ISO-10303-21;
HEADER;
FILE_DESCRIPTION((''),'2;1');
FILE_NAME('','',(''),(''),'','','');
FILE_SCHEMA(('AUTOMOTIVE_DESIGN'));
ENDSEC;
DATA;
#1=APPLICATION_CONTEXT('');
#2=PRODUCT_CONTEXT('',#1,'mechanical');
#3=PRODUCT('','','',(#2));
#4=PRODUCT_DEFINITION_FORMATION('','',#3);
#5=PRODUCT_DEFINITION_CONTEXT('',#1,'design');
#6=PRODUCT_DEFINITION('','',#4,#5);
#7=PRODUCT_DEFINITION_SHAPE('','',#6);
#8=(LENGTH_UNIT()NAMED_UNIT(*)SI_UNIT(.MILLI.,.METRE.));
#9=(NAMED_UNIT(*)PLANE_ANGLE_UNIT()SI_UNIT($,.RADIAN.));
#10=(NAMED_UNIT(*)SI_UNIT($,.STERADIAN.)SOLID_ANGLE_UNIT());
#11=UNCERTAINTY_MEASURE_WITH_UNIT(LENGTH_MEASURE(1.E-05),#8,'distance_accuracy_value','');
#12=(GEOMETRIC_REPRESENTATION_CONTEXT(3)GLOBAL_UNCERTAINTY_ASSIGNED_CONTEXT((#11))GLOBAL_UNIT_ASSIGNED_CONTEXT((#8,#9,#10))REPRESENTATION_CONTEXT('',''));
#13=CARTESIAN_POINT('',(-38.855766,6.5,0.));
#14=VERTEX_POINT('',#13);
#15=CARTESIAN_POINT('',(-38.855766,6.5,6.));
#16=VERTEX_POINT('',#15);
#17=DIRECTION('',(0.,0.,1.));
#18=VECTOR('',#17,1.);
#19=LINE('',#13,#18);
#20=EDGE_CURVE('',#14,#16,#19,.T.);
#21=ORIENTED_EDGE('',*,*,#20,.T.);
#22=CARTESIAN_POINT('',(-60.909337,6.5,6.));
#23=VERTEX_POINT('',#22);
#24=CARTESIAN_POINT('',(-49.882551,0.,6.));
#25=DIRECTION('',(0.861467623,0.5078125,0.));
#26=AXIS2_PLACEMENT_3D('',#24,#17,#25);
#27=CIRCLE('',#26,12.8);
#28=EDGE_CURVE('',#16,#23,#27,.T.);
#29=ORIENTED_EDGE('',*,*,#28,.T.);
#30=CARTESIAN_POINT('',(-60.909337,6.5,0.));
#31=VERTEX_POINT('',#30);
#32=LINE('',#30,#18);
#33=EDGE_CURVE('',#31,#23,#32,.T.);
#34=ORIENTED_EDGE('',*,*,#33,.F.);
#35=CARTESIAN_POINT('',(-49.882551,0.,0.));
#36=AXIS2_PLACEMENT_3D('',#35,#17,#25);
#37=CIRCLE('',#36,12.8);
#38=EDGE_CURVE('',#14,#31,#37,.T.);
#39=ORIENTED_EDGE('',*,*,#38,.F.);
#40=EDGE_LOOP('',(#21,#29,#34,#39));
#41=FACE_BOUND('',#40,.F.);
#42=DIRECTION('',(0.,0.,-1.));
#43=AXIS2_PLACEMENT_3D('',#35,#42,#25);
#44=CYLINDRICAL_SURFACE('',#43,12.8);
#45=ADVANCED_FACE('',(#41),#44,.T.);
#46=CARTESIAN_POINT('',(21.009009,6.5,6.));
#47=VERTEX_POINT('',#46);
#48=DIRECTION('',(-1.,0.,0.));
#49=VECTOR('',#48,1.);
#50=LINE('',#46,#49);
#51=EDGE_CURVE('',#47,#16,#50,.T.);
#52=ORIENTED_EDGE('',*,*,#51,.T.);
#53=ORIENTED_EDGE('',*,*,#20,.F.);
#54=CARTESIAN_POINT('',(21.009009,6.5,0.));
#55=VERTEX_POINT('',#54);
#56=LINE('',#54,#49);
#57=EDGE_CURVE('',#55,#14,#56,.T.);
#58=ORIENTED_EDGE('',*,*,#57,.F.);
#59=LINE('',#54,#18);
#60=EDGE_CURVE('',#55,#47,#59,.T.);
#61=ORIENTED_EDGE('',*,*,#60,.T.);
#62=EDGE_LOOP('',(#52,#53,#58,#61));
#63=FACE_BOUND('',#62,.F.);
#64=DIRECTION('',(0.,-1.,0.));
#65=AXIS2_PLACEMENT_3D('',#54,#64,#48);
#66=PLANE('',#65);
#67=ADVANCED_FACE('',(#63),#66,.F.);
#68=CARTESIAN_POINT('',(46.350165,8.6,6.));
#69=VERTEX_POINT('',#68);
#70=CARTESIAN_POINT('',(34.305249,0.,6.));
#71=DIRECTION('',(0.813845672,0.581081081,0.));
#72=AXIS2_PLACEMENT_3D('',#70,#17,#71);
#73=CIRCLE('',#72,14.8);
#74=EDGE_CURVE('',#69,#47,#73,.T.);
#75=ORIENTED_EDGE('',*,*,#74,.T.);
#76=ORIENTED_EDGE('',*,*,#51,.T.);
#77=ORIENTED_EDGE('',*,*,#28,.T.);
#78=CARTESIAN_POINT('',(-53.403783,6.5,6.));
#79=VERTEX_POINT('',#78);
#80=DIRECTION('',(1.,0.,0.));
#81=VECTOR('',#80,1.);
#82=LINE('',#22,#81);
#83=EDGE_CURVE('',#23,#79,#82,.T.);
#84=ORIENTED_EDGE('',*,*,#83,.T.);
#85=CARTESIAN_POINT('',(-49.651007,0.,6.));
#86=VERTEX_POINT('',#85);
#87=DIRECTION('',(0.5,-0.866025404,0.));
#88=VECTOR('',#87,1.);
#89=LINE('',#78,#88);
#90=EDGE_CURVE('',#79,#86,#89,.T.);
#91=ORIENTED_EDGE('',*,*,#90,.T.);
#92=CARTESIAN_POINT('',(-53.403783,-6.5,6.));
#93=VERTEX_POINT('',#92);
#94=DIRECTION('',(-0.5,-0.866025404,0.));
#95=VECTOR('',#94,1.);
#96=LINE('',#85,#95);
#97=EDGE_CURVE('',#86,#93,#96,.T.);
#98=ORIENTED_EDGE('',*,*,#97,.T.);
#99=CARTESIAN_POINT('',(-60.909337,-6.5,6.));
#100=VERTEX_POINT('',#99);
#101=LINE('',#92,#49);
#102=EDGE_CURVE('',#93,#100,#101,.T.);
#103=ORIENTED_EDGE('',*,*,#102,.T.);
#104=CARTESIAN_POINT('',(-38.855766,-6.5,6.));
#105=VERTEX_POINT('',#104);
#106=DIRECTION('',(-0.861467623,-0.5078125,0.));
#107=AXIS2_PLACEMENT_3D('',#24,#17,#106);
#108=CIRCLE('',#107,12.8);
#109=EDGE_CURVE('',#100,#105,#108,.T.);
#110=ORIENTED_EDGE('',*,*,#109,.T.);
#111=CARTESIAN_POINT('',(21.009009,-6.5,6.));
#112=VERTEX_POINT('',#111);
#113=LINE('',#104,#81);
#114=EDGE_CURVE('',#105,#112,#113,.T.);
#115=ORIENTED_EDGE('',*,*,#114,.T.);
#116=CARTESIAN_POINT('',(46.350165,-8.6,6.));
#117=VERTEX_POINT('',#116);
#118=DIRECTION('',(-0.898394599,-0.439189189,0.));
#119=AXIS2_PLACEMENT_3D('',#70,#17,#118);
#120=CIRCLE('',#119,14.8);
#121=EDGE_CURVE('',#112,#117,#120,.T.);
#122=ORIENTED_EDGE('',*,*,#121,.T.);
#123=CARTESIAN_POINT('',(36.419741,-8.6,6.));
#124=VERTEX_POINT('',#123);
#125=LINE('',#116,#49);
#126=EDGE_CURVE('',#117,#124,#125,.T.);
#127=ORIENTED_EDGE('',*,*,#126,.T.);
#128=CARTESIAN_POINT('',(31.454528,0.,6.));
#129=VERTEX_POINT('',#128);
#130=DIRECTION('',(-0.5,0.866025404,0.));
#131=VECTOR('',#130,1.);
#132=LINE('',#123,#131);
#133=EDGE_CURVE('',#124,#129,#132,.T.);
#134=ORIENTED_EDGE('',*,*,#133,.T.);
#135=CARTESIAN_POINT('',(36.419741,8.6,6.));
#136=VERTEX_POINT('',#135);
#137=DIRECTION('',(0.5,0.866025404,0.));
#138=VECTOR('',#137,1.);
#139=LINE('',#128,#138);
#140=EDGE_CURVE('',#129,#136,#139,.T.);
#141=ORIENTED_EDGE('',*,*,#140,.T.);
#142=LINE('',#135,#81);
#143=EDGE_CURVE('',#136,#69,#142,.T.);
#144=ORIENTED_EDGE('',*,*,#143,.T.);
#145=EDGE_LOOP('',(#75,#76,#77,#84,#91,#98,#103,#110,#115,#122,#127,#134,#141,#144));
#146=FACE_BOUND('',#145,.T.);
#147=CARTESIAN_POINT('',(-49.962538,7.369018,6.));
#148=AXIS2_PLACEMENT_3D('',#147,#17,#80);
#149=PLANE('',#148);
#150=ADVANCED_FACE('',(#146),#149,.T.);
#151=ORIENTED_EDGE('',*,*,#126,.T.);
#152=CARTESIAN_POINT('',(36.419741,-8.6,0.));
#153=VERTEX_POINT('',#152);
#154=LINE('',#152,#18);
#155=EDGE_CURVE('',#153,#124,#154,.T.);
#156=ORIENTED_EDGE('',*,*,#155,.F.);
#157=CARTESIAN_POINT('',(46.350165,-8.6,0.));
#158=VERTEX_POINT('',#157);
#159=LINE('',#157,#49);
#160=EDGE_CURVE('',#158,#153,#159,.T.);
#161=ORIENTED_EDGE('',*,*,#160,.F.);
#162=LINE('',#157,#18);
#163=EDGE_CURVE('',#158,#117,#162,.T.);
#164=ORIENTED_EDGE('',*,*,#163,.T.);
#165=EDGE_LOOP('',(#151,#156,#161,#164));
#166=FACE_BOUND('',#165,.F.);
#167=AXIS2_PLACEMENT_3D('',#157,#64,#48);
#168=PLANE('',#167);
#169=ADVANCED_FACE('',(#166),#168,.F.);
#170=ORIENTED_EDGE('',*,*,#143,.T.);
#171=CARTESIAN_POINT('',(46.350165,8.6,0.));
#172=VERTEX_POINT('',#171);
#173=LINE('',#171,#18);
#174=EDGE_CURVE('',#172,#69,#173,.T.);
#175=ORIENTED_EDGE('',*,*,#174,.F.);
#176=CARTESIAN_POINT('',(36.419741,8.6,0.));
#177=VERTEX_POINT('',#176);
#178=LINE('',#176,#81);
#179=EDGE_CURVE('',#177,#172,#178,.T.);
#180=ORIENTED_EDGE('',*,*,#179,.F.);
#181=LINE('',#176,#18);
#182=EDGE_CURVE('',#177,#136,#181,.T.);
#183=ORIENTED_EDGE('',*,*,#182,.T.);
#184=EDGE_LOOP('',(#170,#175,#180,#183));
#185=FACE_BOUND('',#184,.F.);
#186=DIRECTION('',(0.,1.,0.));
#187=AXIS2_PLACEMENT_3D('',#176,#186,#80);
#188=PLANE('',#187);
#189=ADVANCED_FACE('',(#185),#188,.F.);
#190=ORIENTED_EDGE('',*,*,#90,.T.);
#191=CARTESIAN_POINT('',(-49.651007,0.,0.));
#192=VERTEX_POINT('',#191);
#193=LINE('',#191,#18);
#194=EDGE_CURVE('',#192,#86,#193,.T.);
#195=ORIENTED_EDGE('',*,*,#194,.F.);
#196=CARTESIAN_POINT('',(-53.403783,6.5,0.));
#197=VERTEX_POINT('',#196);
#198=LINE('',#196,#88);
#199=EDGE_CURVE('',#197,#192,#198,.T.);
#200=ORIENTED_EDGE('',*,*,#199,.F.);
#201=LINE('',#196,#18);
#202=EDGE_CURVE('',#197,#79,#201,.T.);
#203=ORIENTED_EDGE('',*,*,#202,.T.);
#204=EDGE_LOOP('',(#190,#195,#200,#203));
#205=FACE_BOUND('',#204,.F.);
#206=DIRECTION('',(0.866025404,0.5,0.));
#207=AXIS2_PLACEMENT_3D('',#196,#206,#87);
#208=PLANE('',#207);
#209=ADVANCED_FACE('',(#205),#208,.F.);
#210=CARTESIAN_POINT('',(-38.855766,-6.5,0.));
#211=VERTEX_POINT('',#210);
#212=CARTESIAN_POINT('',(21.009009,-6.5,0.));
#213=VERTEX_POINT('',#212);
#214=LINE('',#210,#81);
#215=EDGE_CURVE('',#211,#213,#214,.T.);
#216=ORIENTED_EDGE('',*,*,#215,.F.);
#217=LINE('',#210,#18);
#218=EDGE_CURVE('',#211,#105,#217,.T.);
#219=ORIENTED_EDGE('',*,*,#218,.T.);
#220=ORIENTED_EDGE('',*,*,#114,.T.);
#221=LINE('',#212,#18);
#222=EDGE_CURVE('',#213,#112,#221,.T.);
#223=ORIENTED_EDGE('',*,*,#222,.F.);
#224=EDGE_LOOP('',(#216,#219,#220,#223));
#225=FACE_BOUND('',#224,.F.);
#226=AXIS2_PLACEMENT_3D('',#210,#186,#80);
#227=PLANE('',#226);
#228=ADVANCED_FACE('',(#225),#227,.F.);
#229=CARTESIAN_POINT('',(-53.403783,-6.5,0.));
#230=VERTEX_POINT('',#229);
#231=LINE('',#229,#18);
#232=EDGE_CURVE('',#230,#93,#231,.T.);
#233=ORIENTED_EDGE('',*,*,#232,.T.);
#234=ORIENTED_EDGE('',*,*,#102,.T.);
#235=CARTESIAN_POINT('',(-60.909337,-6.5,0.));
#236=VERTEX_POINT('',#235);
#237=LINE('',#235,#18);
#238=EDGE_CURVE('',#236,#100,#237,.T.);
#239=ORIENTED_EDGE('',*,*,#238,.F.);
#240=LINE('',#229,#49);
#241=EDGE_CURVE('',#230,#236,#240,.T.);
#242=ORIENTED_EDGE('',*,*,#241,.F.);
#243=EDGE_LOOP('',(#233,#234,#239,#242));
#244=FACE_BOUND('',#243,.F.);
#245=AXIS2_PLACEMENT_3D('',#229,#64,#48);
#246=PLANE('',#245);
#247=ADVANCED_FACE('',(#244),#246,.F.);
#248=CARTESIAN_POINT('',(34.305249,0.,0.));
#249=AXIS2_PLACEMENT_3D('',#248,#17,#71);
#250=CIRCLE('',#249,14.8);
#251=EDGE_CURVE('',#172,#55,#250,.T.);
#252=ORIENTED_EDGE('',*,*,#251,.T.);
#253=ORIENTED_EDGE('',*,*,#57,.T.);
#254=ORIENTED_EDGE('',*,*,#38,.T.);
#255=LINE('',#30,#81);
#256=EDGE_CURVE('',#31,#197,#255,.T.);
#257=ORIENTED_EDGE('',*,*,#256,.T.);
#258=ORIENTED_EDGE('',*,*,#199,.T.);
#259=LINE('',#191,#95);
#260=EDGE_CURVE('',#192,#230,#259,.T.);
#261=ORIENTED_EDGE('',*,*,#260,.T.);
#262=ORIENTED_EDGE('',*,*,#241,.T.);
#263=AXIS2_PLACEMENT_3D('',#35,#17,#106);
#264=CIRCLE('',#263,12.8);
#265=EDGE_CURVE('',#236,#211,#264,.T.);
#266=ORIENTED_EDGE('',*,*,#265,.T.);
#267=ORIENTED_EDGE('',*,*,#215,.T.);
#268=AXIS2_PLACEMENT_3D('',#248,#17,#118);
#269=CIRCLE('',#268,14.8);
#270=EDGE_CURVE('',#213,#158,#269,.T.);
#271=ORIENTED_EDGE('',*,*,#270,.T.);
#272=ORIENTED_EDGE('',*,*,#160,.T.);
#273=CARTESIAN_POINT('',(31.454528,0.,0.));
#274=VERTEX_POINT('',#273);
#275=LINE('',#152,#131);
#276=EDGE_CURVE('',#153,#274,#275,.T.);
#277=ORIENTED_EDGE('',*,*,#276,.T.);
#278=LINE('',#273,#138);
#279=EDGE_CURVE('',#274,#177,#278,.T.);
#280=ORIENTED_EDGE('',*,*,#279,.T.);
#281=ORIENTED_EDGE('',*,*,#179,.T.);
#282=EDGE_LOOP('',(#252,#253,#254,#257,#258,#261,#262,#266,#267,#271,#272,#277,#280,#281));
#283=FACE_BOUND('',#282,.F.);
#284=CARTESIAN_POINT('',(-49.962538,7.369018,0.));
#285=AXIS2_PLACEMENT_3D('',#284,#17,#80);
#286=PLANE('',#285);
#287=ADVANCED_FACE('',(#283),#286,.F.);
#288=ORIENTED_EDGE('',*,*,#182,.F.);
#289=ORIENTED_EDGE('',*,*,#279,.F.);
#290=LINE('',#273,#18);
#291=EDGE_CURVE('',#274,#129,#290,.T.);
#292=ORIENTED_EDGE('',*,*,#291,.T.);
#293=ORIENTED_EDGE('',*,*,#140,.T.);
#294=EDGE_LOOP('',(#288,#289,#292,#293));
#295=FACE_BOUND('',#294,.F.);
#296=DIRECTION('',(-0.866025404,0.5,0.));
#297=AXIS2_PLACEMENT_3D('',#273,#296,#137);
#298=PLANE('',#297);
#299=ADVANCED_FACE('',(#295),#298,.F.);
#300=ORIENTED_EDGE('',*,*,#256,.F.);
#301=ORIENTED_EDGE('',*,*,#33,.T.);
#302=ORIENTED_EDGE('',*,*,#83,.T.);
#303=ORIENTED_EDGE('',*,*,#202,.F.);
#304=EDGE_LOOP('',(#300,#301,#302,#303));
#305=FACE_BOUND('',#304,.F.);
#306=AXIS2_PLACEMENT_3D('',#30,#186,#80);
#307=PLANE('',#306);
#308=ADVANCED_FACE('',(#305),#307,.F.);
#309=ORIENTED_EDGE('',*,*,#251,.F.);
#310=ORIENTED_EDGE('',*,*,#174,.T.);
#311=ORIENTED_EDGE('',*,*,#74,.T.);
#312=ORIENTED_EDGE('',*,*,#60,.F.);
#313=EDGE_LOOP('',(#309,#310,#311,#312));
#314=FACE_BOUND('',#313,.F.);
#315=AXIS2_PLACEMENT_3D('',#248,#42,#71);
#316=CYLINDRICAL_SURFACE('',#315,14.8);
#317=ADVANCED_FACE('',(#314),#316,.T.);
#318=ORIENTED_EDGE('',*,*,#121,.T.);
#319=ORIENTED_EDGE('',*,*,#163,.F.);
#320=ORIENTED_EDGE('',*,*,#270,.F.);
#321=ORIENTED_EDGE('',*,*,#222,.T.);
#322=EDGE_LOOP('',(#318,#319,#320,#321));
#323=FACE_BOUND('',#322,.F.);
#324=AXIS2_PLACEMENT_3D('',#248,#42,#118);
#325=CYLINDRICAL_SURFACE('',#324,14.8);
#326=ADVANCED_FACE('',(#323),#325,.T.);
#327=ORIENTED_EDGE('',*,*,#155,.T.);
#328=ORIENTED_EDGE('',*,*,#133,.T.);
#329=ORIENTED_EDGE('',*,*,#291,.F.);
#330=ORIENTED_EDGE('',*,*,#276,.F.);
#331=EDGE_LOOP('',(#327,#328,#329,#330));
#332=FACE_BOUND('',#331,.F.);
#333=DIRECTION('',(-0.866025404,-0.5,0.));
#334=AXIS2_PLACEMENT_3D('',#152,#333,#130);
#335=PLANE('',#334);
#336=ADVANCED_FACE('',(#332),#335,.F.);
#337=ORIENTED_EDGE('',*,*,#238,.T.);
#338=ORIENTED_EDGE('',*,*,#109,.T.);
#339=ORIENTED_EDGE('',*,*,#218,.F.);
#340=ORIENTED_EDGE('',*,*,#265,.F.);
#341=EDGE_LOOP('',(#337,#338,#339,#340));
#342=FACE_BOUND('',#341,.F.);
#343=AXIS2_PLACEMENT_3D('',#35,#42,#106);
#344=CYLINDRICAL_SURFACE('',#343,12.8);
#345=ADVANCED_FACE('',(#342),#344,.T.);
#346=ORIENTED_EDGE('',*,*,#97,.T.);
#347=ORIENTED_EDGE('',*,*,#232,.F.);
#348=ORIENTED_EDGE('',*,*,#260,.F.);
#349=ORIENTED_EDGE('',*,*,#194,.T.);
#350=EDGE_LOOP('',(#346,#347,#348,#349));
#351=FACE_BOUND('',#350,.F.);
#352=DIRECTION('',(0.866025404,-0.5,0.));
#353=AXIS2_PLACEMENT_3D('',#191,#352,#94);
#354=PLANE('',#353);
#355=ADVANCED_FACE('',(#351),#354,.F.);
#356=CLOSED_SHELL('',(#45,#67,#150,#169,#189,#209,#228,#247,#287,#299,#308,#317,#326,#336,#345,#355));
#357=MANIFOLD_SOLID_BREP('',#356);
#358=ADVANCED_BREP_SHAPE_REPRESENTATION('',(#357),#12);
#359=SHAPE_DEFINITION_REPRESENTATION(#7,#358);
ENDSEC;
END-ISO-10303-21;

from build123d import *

# Parameters (mm, degrees)
F1_DEPTH = 6


with BuildPart() as f1:
    # F0 (on Top) → F1 (new body)
    with BuildSketch(Plane.XY):
        with BuildLine():
            Line((-49.6510066098, 0), (-49.6510066098, 6.5))
            Line((-49.6510066098, 6.5), (-38.8557657197, 6.5))
            ThreePointArc((-38.8557657197, 6.5), (-49.8825512893, 12.8), (-60.909336859, 6.5))
            Line((-60.909336859, 6.5), (-53.4037833596, 6.5))
            Line((-53.4037833596, 6.5), (-49.6510066098, 0))
        make_face()
        with BuildLine():
            Line((-38.8557657197, 6.5), (-49.6510066098, 6.5))
            Line((-49.6510066098, 6.5), (-49.6510066098, 0))
            Line((-49.6510066098, 0), (-49.6510066098, -6.5))
            Line((-49.6510066098, -6.5), (-38.8557657197, -6.5))
            ThreePointArc((-38.8557657197, -6.5), (-37.5338093435, -3.3687642176), (-37.0825512893, 0))
            ThreePointArc((-37.0825512893, 0), (-37.5338093435, 3.3687642176), (-38.8557657197, 6.5))
        make_face()
        with BuildLine():
            Line((-49.6510066098, -6.5), (-49.6510066098, 0))
            Line((-49.6510066098, 0), (-53.4037833596, -6.5))
            Line((-53.4037833596, -6.5), (-60.909336859, -6.5))
            ThreePointArc((-60.909336859, -6.5), (-49.8825512893, -12.8), (-38.8557657197, -6.5))
            Line((-38.8557657197, -6.5), (-49.6510066098, -6.5))
        make_face()
        with BuildLine():
            Line((21.0090092811, 6.5), (-38.8557657197, 6.5))
            ThreePointArc((-38.8557657197, 6.5), (-37.5338093435, 3.3687642176), (-37.0825512893, 0))
            ThreePointArc((-37.0825512893, 0), (-37.5338093435, -3.3687642176), (-38.8557657197, -6.5))
            Line((-38.8557657197, -6.5), (21.0090092811, -6.5))
            ThreePointArc((21.0090092811, -6.5), (19.5052493512, 0), (21.0090092811, 6.5))
        make_face()
        with BuildLine():
            ThreePointArc((46.3501652911, 8.6), (33.0829756422, 14.74944226), (21.0090092811, 6.5))
            Line((21.0090092811, 6.5), (31.454528346, 6.5))
            Line((31.454528346, 6.5), (31.454528346, 0))
            Line((31.454528346, 0), (36.419740661, 8.6))
            Line((36.419740661, 8.6), (46.3501652911, 8.6))
        make_face()
        with BuildLine():
            Line((31.454528346, 6.5), (21.0090092811, 6.5))
            ThreePointArc((21.0090092811, 6.5), (19.5052493512, 0), (21.0090092811, -6.5))
            Line((21.0090092811, -6.5), (31.454528346, -6.5))
            Line((31.454528346, -6.5), (31.454528346, 0))
            Line((31.454528346, 0), (31.454528346, 6.5))
        make_face()
        with BuildLine():
            Line((31.454528346, -6.5), (21.0090092811, -6.5))
            ThreePointArc((21.0090092811, -6.5), (33.0829756422, -14.74944226), (46.3501652911, -8.6))
            Line((46.3501652911, -8.6), (36.419740661, -8.6))
            Line((36.419740661, -8.6), (31.454528346, 0))
            Line((31.454528346, 0), (31.454528346, -6.5))
        make_face()
    extrude(amount=F1_DEPTH)


solid = f1.part
